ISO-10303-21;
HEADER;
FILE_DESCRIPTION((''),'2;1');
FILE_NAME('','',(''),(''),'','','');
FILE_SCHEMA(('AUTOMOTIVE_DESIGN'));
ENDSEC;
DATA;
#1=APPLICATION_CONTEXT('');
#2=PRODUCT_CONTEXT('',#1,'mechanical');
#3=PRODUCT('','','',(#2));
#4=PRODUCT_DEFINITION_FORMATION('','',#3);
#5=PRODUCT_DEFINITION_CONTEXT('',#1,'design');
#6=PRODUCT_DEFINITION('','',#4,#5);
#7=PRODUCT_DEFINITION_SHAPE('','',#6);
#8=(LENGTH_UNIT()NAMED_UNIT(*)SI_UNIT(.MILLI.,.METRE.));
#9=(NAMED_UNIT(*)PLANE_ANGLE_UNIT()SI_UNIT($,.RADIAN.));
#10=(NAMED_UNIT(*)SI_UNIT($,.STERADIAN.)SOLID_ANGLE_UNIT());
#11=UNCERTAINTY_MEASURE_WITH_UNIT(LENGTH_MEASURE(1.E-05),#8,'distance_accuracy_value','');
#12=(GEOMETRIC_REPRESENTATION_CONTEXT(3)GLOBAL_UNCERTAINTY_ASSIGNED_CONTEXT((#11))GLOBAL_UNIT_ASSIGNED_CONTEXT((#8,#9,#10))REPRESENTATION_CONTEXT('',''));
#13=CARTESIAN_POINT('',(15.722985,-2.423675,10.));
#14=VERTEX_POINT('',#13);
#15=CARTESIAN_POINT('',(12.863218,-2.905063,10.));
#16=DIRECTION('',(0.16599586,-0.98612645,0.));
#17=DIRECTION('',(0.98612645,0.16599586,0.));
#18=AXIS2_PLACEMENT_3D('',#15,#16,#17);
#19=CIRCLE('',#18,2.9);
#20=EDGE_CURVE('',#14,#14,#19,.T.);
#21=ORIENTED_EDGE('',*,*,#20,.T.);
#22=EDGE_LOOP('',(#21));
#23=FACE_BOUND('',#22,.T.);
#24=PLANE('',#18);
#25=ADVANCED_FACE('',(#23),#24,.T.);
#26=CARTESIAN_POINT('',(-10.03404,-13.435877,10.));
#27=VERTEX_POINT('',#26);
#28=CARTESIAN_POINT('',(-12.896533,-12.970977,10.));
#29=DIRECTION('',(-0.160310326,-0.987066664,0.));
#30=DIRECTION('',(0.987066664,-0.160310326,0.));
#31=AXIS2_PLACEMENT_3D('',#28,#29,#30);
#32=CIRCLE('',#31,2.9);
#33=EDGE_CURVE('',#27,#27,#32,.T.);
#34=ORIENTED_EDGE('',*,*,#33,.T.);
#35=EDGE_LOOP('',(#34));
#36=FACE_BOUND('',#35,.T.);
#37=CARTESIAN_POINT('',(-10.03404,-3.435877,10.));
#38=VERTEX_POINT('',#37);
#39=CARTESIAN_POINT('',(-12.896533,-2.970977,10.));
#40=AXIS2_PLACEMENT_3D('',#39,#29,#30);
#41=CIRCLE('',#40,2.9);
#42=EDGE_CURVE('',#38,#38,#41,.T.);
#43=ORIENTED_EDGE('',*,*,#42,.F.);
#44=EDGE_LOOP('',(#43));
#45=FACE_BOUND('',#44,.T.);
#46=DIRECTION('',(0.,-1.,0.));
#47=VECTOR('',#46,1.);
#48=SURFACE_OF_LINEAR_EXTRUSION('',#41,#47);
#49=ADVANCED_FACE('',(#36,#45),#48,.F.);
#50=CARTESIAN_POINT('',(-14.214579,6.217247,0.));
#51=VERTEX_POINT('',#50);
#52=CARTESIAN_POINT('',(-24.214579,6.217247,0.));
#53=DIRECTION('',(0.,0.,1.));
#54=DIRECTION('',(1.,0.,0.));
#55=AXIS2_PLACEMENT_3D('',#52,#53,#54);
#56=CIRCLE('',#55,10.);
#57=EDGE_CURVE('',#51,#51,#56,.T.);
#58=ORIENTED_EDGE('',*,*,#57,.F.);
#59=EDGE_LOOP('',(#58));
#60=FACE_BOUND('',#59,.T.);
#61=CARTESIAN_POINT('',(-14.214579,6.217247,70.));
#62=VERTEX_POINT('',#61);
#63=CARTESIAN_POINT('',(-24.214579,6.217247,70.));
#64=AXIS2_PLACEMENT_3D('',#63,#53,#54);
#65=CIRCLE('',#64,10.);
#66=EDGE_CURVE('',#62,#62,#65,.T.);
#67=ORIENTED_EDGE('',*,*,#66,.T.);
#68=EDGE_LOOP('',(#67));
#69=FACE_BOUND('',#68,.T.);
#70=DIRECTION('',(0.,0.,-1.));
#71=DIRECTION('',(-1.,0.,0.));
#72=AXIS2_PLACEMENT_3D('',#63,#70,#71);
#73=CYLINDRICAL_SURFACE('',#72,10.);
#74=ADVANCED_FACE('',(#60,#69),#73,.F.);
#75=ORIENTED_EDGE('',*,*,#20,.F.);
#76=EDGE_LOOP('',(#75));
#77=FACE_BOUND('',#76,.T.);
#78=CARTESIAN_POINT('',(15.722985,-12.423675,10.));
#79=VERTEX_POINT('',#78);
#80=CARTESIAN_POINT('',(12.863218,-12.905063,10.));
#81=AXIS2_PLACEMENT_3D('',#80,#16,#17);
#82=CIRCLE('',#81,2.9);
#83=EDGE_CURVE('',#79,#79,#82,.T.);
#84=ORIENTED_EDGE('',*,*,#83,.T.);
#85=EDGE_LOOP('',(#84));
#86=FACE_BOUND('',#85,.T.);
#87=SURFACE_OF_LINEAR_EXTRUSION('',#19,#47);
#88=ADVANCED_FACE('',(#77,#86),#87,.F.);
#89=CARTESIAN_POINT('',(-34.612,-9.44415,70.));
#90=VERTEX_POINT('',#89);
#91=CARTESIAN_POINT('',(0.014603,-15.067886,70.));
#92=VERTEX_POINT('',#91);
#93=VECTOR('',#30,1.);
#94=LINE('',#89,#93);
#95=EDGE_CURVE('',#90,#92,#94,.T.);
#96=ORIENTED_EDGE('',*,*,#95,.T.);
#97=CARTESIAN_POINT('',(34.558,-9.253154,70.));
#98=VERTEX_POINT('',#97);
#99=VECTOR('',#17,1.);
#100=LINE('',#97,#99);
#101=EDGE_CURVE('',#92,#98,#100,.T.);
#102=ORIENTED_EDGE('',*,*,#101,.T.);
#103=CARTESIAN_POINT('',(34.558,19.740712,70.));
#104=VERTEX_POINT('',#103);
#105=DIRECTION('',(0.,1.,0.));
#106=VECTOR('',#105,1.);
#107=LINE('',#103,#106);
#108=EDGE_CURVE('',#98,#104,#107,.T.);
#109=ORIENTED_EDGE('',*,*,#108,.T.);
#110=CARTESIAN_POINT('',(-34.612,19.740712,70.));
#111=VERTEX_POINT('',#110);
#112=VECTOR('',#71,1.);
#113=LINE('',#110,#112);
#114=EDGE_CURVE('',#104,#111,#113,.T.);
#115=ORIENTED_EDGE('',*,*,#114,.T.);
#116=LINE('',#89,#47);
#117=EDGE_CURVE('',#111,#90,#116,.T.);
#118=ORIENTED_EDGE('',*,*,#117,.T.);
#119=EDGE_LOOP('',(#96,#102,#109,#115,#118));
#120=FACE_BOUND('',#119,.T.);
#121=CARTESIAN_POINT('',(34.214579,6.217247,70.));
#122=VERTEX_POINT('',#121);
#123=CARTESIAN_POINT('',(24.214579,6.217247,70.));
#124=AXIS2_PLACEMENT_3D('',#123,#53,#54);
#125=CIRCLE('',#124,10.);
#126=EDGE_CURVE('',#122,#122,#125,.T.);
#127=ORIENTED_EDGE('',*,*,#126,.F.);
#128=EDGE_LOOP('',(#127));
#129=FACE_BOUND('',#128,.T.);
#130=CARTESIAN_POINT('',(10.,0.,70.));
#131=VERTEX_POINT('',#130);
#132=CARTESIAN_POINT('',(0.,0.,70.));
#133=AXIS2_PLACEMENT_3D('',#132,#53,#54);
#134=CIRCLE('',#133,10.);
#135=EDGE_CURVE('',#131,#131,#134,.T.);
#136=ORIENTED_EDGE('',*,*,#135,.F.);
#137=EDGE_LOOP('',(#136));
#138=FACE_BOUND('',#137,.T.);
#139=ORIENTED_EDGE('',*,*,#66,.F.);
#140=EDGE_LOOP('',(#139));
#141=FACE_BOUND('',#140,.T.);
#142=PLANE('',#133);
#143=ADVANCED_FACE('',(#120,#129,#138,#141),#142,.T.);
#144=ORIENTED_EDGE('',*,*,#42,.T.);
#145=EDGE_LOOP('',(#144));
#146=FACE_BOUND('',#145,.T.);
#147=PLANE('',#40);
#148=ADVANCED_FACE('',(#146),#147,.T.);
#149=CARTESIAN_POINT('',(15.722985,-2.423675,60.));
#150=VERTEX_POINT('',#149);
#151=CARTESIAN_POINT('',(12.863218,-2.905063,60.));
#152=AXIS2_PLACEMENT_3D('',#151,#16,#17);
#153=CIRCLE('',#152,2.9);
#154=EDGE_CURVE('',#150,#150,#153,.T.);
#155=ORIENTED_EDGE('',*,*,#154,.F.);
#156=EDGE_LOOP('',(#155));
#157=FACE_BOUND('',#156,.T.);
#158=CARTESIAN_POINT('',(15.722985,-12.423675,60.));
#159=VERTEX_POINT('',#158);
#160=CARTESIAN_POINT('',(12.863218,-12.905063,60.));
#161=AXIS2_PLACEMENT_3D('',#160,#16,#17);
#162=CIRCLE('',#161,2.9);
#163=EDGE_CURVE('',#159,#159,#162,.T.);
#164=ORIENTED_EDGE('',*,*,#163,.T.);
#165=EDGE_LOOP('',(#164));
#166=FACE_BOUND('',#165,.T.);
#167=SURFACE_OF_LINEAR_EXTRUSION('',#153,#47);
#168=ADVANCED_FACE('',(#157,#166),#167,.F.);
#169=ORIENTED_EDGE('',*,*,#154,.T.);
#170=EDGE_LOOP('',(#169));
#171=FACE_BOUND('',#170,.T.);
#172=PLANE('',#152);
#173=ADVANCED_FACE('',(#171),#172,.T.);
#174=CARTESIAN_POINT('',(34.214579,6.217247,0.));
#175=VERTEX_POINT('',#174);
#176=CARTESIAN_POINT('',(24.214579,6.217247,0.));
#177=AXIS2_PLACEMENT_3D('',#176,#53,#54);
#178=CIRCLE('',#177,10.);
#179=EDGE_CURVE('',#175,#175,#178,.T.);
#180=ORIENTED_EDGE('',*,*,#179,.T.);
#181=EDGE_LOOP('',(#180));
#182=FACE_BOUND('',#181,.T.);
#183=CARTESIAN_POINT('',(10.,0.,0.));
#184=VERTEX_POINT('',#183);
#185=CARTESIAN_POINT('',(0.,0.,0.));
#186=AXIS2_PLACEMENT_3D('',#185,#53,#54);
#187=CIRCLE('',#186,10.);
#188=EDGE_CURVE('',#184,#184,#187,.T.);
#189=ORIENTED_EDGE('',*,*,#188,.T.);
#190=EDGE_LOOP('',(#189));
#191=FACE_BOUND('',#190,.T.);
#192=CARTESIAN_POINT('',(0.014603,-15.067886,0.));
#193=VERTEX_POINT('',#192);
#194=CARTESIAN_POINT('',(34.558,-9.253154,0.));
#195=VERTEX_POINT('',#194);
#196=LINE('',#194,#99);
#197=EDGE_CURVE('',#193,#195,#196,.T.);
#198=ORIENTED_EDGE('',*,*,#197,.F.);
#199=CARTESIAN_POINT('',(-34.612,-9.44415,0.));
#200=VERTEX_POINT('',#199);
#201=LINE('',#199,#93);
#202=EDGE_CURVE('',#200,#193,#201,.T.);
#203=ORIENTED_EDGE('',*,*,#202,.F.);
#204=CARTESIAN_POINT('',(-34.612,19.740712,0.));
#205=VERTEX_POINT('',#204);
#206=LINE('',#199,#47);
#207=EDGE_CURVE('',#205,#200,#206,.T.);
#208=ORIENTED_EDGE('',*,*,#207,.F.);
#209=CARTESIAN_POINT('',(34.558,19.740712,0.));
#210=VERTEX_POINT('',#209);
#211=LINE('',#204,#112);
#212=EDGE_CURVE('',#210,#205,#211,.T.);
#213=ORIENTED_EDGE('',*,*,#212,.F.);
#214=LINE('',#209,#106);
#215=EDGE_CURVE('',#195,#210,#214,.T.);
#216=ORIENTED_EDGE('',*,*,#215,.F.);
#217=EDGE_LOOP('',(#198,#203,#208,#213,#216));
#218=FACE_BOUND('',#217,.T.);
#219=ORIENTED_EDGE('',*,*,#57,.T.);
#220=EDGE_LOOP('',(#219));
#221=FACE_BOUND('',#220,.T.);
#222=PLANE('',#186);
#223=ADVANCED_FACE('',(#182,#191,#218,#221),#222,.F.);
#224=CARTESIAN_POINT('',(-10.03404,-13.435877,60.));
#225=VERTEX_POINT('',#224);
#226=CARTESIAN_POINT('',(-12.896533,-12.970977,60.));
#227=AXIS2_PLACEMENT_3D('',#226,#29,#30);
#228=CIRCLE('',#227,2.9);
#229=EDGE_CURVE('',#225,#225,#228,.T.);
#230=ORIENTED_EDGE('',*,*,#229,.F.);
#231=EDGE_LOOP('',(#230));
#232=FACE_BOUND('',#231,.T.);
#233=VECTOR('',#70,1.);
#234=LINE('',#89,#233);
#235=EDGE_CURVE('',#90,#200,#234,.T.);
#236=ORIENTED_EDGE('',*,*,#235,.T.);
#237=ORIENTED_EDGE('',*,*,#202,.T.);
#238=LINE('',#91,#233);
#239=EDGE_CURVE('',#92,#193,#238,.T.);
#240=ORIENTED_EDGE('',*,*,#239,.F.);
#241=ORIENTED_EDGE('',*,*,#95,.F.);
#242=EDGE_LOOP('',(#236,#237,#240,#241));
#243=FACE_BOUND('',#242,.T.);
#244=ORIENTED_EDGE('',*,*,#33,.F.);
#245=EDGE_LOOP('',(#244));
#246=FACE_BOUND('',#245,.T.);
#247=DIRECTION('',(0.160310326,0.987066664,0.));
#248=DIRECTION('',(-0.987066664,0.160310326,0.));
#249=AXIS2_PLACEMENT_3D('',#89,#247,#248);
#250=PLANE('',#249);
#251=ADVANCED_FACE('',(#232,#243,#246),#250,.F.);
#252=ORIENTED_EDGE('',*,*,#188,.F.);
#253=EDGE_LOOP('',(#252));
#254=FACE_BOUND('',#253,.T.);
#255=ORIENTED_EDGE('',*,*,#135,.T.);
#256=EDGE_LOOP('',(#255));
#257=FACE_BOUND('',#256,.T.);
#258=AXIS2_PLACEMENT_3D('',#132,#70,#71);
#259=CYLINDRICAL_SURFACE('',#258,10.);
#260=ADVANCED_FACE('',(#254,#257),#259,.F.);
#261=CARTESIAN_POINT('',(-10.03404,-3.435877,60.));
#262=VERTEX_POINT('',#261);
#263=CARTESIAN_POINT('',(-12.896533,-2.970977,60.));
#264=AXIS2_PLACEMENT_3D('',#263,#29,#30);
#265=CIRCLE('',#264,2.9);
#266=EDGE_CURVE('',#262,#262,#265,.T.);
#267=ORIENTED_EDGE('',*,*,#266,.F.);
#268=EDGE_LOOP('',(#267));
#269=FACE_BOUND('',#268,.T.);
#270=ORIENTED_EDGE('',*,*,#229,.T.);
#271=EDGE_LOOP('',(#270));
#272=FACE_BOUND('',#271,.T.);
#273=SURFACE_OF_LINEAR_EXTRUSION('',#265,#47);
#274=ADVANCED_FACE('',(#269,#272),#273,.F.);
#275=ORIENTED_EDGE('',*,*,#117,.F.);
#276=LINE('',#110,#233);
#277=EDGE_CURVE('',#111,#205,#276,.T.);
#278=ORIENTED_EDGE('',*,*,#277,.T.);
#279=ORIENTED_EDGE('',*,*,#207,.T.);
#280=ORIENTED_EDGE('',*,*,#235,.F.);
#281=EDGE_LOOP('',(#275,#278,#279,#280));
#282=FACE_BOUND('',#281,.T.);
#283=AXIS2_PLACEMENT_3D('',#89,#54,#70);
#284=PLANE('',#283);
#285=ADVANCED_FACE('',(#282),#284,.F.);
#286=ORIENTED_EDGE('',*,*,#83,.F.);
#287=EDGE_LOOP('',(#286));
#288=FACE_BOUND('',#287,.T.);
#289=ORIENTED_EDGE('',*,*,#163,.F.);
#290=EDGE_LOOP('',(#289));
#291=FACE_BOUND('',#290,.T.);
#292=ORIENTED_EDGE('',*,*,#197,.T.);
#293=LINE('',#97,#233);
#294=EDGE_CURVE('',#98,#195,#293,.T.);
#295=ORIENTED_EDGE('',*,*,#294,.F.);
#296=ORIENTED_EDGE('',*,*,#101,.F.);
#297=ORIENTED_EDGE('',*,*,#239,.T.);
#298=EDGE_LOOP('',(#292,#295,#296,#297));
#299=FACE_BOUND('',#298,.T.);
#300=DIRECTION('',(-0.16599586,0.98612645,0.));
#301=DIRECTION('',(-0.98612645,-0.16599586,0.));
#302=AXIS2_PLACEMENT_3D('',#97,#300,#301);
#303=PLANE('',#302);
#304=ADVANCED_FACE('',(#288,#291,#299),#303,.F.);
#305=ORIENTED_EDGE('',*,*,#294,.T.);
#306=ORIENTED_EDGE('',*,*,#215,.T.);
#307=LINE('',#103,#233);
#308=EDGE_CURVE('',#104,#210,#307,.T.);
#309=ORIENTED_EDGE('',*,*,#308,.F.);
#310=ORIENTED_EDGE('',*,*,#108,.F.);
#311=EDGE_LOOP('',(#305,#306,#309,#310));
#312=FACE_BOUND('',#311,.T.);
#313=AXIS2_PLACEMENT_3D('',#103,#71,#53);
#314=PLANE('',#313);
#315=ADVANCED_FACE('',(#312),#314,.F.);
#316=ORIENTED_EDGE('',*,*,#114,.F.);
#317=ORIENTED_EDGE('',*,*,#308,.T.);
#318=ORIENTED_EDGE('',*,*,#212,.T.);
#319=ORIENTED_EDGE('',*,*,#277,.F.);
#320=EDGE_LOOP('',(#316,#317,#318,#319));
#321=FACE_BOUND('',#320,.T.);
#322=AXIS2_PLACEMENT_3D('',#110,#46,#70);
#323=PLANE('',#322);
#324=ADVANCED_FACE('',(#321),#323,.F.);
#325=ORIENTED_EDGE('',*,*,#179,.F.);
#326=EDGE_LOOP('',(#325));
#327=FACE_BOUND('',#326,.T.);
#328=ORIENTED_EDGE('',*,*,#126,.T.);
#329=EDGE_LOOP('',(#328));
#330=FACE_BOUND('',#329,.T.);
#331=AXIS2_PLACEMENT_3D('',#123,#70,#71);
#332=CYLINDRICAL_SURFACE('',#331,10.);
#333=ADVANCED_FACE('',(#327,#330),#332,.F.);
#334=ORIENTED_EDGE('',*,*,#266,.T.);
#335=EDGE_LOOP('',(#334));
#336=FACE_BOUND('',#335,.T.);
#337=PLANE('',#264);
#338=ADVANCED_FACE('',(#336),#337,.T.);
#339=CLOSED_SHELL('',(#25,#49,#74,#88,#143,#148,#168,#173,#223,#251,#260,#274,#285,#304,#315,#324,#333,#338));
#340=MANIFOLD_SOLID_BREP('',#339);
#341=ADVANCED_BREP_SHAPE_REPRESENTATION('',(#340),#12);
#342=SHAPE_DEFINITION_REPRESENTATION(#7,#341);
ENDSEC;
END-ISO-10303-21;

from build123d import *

# Parameters (mm, degrees)
IZIM1_R                     = 10
Y_KSEKLIK_EKSTR_ZYON2_DEPTH = 70
IZIM4_R                     = 2.9
KES_EKSTR_ZYON1_DEPTH       = 10
IZIM6_R                     = 2.9
KES_EKSTR_ZYON2_DEPTH       = 10


with BuildPart() as part:
    # Çizim1 → Yükseklik-Ekstrüzyon2 (new body)
    with BuildSketch(Plane.XY):
        Polygon((34.558000078, -9.253153646), (0.014602542, -15.067885605), (-34.611999922, -9.444150005), (-34.611999922, 19.740712429), (34.558000078, 19.740712429), align=None)
        with Locations((-24.214579028, 6.217247179)):
            Circle(IZIM1_R, mode=Mode.SUBTRACT)
        Circle(IZIM1_R, mode=Mode.SUBTRACT)
        with Locations((24.214579028, 6.217247179)):
            Circle(IZIM1_R, mode=Mode.SUBTRACT)
    extrude(amount=Y_KSEKLIK_EKSTR_ZYON2_DEPTH)

    # Çizim4 → Kes-Ekstrüzyon1 (cut, along a direction that is not the sketch's normal)
    with BuildSketch(Plane(origin=(-2.383921421, -14.678339313, 0), x_dir=(0.9870666640552537, -0.1603103262763605, 0), z_dir=(-0.1603103262763605, -0.9870666640552537, 0))):
        with Locations((-10.65035653, 60)):
            Circle(IZIM4_R)
        with Locations((-10.65035653, 10)):
            Circle(IZIM4_R)
    extrude(amount=-KES_EKSTR_ZYON1_DEPTH, dir=(0, -1, 0), mode=Mode.SUBTRACT)

    # Çizim6 → Kes-Ekstrüzyon2 (cut, along a direction that is not the sketch's normal)
    with BuildSketch(Plane(origin=(2.466908381, -14.655085992, 0), x_dir=(0.9861264495259806, 0.16599586002453082, 0), z_dir=(0.16599586002453082, -0.9861264495259807, 0))):
        with Locations((10.542572723, 60)):
            Circle(IZIM6_R)
        with Locations((10.542572723, 10)):
            Circle(IZIM6_R)
    extrude(amount=-KES_EKSTR_ZYON2_DEPTH, dir=(0, -1, 0), mode=Mode.SUBTRACT)


solid = part.part
